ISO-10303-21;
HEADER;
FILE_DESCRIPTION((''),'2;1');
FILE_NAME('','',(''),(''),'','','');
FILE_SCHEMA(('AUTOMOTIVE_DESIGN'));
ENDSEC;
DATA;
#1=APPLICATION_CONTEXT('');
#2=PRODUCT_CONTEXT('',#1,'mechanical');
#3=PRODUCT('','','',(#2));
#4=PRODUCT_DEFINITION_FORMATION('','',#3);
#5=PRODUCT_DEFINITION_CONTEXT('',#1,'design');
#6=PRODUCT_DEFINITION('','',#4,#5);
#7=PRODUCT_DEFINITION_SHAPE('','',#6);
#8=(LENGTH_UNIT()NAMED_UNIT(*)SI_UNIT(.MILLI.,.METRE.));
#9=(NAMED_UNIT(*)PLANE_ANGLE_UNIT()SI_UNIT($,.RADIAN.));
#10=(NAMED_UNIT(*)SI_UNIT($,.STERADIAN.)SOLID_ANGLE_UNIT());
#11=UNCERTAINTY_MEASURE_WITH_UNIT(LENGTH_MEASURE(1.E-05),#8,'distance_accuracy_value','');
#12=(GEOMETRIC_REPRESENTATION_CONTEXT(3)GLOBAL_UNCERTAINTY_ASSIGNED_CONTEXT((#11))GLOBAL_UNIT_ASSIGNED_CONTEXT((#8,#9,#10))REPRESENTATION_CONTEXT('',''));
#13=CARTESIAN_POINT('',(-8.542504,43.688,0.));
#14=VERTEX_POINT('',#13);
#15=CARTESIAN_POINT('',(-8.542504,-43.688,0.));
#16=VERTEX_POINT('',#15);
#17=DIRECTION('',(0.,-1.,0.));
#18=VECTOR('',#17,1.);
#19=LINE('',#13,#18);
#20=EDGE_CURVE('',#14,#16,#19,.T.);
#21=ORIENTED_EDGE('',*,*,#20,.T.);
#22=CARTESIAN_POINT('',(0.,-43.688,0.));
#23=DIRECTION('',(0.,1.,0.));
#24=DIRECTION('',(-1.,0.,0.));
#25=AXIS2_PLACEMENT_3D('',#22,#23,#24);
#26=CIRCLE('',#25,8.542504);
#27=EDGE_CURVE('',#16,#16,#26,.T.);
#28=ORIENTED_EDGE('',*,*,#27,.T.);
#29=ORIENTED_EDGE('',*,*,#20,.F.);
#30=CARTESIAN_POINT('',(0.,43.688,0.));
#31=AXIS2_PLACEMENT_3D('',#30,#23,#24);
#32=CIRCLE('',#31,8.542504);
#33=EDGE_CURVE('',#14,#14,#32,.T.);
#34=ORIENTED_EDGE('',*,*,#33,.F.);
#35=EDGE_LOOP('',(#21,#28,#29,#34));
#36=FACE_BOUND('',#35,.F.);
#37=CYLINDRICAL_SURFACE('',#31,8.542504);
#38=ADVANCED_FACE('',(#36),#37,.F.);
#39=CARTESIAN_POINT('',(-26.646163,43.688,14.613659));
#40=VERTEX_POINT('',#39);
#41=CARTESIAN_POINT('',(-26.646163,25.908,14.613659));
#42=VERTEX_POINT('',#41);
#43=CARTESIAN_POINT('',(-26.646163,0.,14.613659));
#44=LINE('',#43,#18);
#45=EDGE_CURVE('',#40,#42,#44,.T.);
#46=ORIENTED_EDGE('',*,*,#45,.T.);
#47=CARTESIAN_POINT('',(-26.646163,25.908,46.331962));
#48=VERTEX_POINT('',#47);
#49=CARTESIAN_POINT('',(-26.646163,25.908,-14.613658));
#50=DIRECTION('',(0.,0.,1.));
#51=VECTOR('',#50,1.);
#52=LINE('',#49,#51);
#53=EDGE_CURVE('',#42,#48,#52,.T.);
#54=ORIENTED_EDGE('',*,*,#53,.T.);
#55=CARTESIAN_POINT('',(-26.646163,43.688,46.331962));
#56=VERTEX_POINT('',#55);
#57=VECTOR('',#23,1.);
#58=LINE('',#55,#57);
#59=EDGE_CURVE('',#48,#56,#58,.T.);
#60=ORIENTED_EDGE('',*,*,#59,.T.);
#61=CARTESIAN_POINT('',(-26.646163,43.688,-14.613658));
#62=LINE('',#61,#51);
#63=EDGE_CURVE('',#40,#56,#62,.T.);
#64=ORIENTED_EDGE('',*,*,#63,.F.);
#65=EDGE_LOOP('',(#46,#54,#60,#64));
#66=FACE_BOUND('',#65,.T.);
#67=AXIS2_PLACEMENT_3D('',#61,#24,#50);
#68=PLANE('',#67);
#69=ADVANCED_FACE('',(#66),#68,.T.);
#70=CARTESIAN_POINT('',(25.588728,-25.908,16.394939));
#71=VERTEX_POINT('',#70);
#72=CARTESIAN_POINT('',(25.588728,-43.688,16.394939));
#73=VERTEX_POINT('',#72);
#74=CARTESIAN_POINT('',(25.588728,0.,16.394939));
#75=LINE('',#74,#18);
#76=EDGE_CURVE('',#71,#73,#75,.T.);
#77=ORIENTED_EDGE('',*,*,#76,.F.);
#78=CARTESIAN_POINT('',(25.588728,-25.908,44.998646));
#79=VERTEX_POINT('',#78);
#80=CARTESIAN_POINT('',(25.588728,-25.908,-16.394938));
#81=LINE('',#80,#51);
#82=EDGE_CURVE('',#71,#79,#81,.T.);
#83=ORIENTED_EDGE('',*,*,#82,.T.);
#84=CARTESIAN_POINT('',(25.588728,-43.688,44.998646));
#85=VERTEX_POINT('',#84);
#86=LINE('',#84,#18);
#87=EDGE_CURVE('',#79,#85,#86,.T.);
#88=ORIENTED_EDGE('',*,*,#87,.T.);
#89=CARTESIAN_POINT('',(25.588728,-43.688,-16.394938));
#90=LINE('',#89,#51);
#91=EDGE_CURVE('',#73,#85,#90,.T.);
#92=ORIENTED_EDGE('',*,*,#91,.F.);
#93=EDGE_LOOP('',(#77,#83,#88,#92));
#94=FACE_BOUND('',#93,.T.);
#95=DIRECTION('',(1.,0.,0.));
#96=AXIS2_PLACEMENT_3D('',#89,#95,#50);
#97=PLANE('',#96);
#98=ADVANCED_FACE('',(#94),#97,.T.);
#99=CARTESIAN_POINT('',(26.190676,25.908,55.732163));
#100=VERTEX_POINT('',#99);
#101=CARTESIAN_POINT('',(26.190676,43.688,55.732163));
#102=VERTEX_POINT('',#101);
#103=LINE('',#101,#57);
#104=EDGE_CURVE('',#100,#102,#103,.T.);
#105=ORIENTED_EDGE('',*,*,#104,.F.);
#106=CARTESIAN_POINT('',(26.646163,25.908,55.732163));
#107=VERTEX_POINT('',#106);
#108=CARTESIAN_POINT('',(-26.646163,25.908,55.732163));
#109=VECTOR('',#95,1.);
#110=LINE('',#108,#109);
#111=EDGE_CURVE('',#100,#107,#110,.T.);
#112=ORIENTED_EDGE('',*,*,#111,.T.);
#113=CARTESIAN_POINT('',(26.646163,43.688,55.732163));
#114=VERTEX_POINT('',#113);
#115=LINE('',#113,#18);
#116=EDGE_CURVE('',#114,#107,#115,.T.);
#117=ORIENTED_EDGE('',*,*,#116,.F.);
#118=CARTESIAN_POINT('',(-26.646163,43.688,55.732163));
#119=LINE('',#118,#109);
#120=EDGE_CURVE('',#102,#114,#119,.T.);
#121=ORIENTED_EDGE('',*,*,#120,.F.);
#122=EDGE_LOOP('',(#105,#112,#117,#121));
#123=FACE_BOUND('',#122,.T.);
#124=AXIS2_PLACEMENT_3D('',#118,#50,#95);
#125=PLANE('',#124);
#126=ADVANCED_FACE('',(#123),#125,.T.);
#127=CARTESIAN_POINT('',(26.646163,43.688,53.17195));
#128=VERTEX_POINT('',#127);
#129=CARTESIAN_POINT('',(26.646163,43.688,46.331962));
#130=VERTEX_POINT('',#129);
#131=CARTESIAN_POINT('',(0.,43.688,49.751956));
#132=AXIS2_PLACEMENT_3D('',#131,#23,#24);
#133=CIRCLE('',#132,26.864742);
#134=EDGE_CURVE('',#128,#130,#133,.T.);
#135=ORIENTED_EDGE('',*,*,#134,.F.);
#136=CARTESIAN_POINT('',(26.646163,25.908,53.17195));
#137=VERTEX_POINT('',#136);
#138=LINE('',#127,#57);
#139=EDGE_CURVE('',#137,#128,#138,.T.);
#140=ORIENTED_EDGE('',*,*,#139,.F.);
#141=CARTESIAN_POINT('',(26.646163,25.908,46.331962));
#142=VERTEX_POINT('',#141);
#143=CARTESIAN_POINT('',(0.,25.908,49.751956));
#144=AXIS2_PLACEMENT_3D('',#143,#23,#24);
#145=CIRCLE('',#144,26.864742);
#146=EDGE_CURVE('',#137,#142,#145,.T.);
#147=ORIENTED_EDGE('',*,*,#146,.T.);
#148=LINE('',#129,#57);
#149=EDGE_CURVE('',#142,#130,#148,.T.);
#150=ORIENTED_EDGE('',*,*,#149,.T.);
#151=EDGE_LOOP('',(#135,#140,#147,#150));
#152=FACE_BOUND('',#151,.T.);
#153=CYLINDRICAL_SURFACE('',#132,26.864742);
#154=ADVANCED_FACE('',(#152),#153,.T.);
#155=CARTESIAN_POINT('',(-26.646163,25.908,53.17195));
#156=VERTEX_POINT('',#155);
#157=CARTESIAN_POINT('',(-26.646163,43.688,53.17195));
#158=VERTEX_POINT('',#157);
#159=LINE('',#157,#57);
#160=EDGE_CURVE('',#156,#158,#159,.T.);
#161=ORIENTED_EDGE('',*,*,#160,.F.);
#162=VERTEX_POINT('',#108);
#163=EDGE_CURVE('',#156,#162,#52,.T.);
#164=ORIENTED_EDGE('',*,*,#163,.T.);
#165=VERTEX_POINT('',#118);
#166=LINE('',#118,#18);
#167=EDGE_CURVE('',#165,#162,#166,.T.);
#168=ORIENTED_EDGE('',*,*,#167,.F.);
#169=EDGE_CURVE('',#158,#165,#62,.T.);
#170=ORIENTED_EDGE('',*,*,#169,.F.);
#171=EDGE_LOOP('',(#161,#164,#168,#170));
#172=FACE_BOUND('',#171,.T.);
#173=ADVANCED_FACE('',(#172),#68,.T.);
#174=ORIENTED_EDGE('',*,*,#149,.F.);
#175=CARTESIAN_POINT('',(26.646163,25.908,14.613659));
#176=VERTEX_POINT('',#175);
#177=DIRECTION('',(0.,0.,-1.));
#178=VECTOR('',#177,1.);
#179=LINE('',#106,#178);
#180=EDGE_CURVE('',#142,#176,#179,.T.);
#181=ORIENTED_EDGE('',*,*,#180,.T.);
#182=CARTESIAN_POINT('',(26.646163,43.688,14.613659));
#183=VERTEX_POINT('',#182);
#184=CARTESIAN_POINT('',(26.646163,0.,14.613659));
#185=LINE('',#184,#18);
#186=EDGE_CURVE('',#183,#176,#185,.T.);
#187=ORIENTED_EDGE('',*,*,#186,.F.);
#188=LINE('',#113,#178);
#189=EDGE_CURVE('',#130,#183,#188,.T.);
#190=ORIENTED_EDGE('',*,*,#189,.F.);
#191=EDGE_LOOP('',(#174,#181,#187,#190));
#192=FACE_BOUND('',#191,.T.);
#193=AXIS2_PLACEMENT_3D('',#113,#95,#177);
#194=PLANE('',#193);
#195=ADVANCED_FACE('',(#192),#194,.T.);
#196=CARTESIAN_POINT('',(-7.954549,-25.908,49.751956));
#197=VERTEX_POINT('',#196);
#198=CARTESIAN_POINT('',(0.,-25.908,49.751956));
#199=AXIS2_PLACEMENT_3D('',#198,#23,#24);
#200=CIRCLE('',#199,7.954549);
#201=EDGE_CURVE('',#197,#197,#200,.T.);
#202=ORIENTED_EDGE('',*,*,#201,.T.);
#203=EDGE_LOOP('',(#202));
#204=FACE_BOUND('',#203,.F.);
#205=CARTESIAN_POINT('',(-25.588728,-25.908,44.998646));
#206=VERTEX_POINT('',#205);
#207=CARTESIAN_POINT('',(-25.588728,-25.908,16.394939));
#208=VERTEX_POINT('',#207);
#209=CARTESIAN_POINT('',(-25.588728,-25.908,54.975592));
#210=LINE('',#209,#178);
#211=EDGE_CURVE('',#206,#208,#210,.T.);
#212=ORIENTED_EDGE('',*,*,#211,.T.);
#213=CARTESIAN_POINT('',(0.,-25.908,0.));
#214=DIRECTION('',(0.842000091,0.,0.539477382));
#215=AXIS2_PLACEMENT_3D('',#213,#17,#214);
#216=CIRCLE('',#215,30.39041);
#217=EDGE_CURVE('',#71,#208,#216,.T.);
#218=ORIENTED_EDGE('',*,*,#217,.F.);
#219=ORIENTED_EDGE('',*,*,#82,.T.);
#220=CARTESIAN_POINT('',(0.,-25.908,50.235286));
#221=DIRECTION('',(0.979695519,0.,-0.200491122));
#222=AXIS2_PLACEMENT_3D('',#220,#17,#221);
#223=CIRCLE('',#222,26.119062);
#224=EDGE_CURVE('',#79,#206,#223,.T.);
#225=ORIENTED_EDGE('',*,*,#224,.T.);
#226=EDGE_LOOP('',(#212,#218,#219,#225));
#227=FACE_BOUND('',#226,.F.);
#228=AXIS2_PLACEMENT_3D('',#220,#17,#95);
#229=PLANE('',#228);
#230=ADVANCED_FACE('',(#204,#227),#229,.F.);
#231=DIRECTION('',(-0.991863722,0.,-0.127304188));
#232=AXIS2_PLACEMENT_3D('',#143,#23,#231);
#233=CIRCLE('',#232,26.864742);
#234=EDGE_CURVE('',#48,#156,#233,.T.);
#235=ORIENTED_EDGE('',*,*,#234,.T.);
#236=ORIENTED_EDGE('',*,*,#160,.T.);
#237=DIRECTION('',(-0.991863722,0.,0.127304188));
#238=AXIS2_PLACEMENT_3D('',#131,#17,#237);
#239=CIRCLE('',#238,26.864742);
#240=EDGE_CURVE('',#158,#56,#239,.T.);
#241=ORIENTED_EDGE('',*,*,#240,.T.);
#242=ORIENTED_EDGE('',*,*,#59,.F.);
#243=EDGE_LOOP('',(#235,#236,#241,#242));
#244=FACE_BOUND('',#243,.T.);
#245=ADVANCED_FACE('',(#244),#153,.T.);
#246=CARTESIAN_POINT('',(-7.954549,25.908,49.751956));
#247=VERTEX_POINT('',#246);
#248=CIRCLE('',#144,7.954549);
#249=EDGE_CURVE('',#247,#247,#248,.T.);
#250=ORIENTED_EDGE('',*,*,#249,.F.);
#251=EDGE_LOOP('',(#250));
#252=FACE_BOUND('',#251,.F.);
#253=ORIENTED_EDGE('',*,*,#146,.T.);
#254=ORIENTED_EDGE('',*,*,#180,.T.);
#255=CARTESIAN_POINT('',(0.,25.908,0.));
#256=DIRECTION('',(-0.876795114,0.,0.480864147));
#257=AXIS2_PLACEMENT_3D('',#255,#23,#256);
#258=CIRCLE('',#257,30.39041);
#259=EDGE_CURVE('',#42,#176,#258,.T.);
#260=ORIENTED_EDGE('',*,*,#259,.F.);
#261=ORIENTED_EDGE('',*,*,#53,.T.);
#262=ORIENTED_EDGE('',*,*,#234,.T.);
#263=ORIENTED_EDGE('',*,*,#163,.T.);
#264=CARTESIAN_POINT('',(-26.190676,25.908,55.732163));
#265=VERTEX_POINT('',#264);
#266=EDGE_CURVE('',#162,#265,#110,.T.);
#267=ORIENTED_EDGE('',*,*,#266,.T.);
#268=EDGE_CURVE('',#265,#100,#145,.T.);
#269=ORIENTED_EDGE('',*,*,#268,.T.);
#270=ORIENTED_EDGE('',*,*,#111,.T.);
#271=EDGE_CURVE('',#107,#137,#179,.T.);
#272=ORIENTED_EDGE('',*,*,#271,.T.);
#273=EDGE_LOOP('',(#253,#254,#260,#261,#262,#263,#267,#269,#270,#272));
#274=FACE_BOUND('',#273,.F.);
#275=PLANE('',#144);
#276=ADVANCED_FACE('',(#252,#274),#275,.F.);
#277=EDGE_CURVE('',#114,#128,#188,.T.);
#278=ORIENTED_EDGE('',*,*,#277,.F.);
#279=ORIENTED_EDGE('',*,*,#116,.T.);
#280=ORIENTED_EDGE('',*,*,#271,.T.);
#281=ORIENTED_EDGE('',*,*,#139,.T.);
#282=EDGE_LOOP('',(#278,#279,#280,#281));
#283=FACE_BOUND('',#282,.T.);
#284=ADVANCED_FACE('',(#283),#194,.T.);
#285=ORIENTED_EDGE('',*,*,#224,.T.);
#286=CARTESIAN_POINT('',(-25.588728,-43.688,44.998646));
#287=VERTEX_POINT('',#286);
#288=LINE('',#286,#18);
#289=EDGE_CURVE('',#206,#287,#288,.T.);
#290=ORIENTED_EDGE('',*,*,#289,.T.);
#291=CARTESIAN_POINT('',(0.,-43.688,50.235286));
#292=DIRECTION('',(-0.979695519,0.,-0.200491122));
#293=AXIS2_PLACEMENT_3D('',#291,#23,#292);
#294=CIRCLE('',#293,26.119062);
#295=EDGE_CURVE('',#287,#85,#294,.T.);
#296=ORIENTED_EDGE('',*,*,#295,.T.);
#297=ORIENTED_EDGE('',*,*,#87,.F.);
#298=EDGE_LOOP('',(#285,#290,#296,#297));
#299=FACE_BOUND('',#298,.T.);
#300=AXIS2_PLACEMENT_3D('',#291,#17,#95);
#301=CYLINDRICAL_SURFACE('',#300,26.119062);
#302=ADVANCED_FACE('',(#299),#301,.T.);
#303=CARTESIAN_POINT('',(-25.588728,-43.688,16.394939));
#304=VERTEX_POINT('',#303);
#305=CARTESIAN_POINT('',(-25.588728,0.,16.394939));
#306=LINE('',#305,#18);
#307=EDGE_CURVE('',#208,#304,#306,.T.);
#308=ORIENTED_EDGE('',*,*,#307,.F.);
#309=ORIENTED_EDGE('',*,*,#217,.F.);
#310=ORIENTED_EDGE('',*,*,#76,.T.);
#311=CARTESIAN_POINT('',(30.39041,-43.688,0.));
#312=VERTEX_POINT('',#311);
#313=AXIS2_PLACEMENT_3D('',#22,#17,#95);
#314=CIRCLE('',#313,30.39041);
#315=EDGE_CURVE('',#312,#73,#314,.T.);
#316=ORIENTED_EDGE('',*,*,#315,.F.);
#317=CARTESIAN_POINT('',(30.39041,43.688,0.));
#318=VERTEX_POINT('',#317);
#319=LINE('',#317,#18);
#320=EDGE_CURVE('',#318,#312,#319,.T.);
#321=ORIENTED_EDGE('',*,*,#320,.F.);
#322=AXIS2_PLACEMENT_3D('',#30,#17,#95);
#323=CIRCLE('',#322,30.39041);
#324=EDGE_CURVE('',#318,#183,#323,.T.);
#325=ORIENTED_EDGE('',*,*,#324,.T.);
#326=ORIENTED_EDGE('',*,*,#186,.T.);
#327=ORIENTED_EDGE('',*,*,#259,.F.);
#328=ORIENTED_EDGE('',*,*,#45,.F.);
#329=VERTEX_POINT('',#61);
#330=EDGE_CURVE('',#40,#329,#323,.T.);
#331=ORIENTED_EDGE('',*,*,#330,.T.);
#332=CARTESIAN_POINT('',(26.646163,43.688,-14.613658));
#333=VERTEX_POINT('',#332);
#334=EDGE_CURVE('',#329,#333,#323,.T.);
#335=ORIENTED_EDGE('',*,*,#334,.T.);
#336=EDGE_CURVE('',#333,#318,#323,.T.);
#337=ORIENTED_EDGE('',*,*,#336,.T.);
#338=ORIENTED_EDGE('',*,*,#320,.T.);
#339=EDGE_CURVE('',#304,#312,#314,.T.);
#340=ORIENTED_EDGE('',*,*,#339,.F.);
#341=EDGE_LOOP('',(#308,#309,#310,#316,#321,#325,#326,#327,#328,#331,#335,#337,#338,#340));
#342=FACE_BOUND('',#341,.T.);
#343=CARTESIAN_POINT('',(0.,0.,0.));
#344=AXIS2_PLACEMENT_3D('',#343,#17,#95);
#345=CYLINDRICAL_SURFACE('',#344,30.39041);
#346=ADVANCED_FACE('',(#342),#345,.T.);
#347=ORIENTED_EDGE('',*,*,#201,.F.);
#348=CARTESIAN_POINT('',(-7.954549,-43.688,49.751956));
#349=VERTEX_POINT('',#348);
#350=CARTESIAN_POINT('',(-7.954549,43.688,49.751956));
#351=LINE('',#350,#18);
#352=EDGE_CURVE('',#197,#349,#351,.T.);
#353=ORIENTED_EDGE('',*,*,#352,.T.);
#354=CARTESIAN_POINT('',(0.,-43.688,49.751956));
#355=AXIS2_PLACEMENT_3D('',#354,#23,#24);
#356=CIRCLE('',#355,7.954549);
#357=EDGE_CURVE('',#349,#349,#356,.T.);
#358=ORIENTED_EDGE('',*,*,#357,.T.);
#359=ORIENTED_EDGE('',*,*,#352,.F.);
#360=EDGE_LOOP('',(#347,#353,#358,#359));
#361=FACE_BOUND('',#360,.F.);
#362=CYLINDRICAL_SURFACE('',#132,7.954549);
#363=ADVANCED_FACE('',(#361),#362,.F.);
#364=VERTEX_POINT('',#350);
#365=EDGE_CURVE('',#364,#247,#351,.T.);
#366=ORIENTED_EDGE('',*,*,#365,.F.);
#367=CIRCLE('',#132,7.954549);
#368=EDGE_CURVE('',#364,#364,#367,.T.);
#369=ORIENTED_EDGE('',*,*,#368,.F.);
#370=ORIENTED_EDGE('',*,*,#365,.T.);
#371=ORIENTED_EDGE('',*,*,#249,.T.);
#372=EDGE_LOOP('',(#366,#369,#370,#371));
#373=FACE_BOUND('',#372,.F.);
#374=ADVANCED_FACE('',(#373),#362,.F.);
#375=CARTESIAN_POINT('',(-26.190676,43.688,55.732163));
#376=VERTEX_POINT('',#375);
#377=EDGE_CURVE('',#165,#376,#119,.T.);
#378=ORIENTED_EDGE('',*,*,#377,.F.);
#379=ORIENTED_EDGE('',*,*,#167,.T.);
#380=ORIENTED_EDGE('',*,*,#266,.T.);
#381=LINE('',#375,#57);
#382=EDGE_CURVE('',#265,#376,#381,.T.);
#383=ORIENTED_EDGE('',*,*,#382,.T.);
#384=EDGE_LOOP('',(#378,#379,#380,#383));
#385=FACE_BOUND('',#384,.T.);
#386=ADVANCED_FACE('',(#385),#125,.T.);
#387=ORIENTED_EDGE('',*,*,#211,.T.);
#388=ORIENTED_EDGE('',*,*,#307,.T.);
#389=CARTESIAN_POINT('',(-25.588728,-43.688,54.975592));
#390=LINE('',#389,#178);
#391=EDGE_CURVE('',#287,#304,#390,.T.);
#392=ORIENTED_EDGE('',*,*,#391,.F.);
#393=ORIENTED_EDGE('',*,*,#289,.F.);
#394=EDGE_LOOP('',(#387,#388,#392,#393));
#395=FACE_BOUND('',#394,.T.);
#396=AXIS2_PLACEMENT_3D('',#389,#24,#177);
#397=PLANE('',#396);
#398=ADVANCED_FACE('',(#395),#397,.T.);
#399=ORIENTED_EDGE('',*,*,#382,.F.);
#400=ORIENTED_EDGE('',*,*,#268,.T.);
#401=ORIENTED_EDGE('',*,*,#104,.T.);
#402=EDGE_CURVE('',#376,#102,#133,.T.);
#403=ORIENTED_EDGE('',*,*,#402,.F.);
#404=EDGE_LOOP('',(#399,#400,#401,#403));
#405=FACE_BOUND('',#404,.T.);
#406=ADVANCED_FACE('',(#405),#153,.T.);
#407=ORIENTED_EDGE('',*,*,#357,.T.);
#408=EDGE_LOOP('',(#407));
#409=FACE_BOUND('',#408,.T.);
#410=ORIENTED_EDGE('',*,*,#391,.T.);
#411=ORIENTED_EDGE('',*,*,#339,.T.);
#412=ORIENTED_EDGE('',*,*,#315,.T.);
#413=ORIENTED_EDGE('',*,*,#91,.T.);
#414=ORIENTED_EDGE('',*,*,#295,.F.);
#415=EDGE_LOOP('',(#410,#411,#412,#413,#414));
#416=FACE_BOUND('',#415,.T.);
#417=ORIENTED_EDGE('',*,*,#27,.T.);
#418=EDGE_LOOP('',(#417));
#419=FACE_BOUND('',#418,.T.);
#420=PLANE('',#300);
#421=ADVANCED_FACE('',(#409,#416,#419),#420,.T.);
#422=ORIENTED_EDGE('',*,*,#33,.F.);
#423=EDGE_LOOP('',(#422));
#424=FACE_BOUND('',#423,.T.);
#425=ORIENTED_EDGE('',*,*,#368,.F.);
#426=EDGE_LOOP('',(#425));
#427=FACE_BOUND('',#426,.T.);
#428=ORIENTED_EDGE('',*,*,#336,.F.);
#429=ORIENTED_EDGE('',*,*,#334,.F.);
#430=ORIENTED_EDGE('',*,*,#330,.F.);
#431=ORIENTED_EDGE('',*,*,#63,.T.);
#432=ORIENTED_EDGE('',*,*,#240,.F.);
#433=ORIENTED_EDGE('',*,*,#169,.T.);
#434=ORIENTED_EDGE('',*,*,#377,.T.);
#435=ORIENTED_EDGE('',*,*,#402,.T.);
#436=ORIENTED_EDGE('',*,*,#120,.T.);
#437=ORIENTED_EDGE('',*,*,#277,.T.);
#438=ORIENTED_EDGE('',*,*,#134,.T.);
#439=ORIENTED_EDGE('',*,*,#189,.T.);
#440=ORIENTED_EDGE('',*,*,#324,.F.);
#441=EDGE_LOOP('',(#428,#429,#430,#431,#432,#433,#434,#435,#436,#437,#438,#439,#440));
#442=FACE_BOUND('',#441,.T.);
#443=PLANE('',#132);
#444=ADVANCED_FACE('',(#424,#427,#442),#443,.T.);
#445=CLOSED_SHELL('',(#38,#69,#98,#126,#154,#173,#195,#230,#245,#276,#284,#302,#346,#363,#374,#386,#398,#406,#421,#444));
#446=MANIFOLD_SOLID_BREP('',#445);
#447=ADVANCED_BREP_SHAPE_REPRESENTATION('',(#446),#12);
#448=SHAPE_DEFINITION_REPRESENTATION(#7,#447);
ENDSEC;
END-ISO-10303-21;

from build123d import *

# Parameters (mm, degrees)
F0_R      = 30.39041
F1_DEPTH  = 43.688
F3_DEPTH  = 17.78
F5_DEPTH  = 17.78
F6_R      = 8.542504
F7_DEPTH  = 104.14
F8_R      = 26.119062
F9_DEPTH  = 17.78
F10_R     = 26.864742
F11_DEPTH = 17.78
F12_R     = 7.954549
F13_DEPTH = 97.79


with BuildPart() as f1:
    # F0 (on Front) → F1 (new body, symmetric)
    with BuildSketch(Plane.XZ):
        Circle(F0_R)
    extrude(amount=F1_DEPTH, both=True)

    # F2 (on face) → F3 (join)
    with BuildSketch(Plane.XZ.offset(43.688)):
        with BuildLine():
            Line((-25.588728, 54.975592), (-25.588728, 16.394938))
            ThreePointArc((-25.588728, 16.394938), (0, 30.39041), (25.588728, 16.394938))
            Line((25.588728, 16.394938), (25.588728, 54.975592))
            Line((25.588728, 54.975592), (-25.588728, 54.975592))
        make_face()
        with BuildLine():
            Line((-25.588728, 16.394938), (-25.588728, -16.394938))
            Line((-25.588728, -16.394938), (25.588728, -16.394938))
            Line((25.588728, -16.394938), (25.588728, 16.394938))
            ThreePointArc((25.588728, 16.394938), (0, 30.39041), (-25.588728, 16.394938))
        make_face()
    extrude(amount=-F3_DEPTH)

    # F4 (on face) → F5 (join)
    with BuildSketch(Plane(origin=(0, 43.688, 0), x_dir=(-1, 0, 0), z_dir=(0, 1, 0))):
        with BuildLine():
            Line((-26.646163, 55.732163), (-26.646163, 14.613658))
            ThreePointArc((-26.646163, 14.613658), (0, 30.39041), (26.646163, 14.613658))
            Line((26.646163, 14.613658), (26.646163, 55.732163))
            Line((26.646163, 55.732163), (-26.646163, 55.732163))
        make_face()
        with BuildLine():
            Line((-26.646163, 14.613658), (-26.646163, -14.613658))
            Line((-26.646163, -14.613658), (26.646163, -14.613658))
            Line((26.646163, -14.613658), (26.646163, 14.613658))
            ThreePointArc((26.646163, 14.613658), (0, 30.39041), (-26.646163, 14.613658))
        make_face()
    extrude(amount=-F5_DEPTH)

    # F6 (on face) → F7 (cut)
    with BuildSketch(Plane(origin=(0, 43.688, 0), x_dir=(-1, 0, 0), z_dir=(0, 1, 0))):
        Circle(F6_R)
    extrude(amount=-F7_DEPTH, mode=Mode.SUBTRACT)

    # F8 (on face) → F9 (join)
    with BuildSketch(Plane.XZ.offset(43.688)):
        with Locations((0, 50.235286)):
            Circle(F8_R)
    extrude(amount=-F9_DEPTH)

    # F10 (on face) → F11 (join)
    with BuildSketch(Plane(origin=(0, 43.688, 0), x_dir=(-1, 0, 0), z_dir=(0, 1, 0))):
        with Locations((0, 49.751956)):
            Circle(F10_R)
    extrude(amount=-F11_DEPTH)

    # F12 (on face) → F13 (cut)
    with BuildSketch(Plane(origin=(0, 43.688, 0), x_dir=(-1, 0, 0), z_dir=(0, 1, 0))):
        with Locations((0, 49.751956)):
            Circle(F12_R)
    extrude(amount=-F13_DEPTH, mode=Mode.SUBTRACT)


solid = f1.part
